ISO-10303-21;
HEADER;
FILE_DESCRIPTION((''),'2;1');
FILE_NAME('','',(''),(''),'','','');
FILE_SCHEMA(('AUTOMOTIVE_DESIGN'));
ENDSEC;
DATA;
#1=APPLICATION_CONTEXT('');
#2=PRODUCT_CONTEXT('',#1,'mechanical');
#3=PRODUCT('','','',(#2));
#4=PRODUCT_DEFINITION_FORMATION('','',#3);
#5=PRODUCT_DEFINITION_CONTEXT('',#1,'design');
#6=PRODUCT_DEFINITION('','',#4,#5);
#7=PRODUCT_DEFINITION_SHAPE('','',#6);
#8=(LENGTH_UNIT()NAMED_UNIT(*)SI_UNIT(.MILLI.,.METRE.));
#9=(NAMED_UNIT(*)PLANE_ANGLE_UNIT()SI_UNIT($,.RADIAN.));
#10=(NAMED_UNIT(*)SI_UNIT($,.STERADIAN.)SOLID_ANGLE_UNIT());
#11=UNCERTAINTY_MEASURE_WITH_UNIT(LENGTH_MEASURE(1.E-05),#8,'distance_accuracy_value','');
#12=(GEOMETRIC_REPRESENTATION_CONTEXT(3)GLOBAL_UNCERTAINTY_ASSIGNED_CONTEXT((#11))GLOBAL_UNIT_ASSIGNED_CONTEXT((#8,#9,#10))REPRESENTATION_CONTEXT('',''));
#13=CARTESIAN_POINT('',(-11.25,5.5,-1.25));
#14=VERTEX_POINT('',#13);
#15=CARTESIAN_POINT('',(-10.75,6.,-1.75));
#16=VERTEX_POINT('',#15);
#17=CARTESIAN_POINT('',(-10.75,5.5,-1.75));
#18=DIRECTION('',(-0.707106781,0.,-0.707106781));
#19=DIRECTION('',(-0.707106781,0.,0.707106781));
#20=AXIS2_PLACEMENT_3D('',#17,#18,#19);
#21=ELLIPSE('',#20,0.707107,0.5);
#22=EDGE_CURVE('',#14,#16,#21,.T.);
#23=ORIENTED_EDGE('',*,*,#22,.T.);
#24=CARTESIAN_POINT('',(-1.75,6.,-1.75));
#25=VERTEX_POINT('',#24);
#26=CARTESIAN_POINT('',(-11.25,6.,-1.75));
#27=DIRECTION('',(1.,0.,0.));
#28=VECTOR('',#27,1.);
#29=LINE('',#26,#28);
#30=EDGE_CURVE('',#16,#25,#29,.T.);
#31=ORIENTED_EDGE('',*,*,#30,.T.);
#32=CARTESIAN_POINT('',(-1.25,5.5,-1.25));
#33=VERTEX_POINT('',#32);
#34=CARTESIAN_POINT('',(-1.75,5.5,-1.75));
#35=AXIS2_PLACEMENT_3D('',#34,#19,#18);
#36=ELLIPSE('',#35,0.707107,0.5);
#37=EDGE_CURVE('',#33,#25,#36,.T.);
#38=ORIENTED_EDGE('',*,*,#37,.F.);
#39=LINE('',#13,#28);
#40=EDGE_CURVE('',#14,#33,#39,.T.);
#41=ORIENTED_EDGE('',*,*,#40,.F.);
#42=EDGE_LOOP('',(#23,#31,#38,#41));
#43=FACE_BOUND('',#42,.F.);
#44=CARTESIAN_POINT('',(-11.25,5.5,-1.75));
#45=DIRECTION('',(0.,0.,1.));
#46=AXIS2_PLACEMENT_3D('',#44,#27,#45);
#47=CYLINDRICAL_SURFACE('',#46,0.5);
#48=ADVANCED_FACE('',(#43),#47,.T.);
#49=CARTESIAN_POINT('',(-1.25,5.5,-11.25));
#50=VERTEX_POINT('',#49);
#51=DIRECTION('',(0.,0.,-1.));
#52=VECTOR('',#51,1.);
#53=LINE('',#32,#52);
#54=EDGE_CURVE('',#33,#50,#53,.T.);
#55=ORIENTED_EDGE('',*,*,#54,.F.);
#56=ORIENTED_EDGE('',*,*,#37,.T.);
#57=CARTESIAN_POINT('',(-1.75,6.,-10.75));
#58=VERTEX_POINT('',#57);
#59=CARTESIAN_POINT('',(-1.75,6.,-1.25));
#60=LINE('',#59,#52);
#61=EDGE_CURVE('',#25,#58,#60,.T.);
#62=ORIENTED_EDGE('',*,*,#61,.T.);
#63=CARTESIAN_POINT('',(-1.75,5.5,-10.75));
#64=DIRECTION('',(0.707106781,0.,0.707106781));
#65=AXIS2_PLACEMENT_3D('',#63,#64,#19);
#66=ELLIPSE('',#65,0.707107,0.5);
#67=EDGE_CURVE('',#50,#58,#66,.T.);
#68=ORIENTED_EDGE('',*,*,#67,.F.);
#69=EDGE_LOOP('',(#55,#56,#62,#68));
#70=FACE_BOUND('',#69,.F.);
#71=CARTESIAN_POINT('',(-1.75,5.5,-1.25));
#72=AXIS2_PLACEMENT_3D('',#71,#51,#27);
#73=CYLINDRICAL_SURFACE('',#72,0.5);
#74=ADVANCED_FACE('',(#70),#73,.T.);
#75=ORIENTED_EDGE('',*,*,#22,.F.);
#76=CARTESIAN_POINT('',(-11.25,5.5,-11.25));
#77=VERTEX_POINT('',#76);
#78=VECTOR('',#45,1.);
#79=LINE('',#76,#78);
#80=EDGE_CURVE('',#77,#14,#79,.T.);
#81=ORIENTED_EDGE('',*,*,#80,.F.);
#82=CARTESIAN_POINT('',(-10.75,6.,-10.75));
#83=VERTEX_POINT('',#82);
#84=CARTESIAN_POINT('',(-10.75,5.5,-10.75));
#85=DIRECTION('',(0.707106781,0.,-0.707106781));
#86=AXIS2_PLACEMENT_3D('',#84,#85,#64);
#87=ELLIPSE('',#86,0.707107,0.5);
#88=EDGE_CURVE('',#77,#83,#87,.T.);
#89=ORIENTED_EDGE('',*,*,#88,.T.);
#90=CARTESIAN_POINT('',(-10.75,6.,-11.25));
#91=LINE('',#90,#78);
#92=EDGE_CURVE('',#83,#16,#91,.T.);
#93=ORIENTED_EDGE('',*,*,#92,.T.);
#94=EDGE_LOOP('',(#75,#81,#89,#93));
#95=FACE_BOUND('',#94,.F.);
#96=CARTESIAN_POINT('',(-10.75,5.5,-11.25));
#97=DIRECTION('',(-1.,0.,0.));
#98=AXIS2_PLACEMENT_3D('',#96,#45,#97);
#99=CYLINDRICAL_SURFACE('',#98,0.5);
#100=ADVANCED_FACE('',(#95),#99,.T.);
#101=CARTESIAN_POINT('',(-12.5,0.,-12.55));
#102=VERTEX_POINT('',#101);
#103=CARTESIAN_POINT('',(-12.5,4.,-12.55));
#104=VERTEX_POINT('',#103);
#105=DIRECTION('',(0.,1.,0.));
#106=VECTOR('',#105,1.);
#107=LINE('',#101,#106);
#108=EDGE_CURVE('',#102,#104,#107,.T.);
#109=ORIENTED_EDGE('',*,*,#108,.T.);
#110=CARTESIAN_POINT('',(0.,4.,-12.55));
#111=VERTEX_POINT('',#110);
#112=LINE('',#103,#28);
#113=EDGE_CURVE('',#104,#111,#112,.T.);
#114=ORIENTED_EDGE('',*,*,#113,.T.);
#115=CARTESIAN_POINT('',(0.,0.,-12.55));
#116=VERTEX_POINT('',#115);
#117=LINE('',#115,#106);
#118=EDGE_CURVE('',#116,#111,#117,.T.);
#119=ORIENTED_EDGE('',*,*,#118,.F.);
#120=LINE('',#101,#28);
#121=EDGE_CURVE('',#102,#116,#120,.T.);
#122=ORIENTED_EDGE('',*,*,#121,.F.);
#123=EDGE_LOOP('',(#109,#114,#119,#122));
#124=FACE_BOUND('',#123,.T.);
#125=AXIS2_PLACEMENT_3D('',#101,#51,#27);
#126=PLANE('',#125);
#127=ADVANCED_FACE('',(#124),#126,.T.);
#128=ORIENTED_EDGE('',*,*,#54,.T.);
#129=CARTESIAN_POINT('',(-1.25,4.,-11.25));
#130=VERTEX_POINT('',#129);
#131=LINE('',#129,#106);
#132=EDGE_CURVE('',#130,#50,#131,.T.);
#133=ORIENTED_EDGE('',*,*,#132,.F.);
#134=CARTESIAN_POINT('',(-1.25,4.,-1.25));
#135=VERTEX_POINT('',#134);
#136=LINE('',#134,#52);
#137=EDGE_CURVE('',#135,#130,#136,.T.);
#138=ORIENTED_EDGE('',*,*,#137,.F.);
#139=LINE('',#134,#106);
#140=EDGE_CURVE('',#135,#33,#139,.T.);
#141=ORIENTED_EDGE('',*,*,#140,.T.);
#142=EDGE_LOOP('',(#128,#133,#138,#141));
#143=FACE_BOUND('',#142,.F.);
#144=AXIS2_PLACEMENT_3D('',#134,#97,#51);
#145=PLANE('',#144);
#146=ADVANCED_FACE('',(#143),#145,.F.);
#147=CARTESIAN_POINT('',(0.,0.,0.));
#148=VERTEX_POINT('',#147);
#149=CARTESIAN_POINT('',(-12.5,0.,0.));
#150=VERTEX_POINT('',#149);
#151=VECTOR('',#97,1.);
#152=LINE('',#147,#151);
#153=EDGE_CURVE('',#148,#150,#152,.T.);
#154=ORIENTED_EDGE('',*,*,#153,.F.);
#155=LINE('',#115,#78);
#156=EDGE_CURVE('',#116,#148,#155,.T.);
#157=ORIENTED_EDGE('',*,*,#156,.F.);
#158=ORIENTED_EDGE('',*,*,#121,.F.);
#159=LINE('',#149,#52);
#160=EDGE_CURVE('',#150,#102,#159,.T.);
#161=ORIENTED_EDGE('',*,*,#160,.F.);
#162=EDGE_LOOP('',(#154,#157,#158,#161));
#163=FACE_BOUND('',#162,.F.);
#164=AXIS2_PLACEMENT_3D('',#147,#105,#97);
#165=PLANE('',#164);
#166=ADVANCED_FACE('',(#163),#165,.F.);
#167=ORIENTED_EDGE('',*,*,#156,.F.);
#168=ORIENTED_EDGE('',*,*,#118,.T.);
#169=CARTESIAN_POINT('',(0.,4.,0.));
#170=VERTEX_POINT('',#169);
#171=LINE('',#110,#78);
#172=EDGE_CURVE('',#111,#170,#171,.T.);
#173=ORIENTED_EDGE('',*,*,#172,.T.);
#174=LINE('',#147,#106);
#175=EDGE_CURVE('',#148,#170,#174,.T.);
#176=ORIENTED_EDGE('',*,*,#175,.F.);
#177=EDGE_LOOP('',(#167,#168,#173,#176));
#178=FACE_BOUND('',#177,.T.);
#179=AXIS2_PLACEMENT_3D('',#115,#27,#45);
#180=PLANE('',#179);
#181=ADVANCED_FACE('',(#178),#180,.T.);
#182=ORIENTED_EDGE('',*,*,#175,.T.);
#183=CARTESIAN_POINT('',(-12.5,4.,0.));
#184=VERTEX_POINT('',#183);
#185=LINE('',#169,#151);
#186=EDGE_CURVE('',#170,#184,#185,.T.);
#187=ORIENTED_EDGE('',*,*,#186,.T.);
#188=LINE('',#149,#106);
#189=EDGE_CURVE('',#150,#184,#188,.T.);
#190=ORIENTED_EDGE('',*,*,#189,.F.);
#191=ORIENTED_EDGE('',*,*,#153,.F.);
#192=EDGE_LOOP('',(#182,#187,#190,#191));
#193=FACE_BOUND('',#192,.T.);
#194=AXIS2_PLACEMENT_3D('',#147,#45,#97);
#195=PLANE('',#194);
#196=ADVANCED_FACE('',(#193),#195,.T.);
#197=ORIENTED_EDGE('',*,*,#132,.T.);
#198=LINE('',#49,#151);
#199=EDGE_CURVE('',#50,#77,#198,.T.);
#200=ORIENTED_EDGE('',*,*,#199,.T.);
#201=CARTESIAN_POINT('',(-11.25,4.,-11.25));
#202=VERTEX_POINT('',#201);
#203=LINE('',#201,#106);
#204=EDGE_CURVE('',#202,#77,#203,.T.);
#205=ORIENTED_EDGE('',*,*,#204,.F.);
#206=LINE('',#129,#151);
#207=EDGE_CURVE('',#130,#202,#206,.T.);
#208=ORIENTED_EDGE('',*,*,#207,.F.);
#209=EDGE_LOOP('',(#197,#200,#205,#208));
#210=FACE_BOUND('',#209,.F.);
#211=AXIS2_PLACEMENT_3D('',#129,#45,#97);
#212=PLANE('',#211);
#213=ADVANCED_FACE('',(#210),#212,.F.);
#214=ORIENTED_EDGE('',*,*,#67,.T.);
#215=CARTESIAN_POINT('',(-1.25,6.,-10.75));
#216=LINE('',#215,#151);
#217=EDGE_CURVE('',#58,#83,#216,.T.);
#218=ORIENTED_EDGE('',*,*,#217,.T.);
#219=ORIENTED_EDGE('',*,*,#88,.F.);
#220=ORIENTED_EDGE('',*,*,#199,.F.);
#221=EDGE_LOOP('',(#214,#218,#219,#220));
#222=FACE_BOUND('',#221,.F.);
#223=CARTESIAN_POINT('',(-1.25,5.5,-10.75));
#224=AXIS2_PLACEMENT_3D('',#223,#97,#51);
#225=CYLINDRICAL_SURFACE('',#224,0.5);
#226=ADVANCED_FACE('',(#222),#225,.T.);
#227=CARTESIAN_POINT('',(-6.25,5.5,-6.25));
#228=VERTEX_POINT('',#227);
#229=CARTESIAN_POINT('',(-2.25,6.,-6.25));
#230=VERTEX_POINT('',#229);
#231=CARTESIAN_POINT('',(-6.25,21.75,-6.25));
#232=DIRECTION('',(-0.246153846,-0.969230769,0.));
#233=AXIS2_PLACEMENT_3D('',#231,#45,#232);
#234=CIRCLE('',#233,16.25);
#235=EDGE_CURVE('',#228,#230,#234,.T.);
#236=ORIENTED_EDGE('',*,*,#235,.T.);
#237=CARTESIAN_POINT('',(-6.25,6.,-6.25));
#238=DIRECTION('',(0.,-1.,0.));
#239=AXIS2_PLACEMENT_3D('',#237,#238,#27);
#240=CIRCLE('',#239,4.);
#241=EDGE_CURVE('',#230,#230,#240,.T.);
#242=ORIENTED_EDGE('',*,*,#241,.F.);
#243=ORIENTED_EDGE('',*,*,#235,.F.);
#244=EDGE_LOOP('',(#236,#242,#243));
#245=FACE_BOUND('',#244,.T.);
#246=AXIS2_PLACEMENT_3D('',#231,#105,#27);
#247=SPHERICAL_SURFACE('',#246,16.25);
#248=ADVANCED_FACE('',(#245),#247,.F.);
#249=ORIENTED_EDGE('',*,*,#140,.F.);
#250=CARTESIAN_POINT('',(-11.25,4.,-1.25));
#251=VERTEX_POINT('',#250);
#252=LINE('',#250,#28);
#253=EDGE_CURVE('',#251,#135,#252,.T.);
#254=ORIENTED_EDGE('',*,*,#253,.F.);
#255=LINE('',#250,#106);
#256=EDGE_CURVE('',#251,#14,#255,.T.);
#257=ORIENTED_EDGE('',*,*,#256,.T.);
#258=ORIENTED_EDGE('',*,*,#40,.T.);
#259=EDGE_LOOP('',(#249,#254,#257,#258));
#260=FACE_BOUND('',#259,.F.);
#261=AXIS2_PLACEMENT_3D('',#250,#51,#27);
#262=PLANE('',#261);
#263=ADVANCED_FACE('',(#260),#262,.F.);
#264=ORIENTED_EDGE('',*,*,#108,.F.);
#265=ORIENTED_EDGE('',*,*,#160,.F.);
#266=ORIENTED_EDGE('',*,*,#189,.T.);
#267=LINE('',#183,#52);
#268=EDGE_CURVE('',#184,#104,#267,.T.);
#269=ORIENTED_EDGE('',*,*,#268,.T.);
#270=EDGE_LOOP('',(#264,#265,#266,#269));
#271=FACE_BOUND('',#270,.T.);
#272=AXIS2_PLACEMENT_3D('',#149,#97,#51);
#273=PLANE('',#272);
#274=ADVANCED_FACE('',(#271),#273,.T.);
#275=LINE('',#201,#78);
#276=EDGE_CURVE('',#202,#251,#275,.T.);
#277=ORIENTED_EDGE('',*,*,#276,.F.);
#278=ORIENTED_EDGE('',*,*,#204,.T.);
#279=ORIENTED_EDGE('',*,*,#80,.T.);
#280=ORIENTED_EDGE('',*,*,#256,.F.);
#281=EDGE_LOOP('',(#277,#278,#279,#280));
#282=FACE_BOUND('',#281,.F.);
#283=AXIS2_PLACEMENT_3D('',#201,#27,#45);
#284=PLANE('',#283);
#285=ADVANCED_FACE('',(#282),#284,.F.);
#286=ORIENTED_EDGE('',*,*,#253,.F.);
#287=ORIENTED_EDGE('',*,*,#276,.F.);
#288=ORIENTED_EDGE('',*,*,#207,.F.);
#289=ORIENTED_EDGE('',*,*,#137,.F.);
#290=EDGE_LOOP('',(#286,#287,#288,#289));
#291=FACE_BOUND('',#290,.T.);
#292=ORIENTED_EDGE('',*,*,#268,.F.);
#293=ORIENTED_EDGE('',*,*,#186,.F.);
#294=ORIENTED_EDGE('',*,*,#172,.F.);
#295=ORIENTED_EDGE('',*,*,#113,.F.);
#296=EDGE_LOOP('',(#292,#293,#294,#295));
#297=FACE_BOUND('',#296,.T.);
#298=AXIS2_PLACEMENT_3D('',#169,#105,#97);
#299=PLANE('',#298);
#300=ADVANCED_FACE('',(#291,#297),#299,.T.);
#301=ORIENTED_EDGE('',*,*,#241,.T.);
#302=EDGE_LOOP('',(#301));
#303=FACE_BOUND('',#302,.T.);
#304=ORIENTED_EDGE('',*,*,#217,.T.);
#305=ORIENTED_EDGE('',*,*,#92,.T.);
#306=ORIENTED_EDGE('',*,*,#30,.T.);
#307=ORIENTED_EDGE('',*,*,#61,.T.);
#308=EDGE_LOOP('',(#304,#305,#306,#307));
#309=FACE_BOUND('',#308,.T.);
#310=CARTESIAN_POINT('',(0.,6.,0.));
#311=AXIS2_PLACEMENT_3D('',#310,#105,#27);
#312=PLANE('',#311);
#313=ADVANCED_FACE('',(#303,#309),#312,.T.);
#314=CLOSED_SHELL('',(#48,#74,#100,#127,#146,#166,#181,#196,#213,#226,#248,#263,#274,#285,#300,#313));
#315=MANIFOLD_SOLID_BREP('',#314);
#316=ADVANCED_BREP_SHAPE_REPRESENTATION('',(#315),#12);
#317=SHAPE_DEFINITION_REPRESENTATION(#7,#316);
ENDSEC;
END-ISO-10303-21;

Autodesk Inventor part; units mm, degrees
ref_plane "YZ Plane" through (0, 0, 0) normal (1, 0, 0) x (0, 1, 0)
ref_plane "XZ Plane" through (0, 0, 0) normal (0, 1, 0) x (-1, 0, 0)
ref_plane "XY Plane" through (0, 0, 0) normal (0, 0, 1) x (1, 0, 0)
sketch "Sketch1" plane through (0, 0, 0) normal (0, 1, 0) x (-1, 0, 0)
  line L0 (0, 0) -> (12.5, 0)
  line L1 (12.5, 0) -> (12.5, -12.55)
  line L2 (12.5, -12.55) -> (0, -12.55)
  line L3 (0, -12.55) -> (0, 0)
  dimension "d0" = 12.5
  dimension "d1" = 12.55
extrude "Extrusion1" add sketch "Sketch1" along normal blind 4
sketch "Sketch2" plane through (0, 4, 0) normal (0, 1, 0) x (1, 0, 0)
  line L0 (-11.25, 1.25) -> (-1.25, 1.25)
  line L1 (-1.25, 1.25) -> (-1.25, 11.25)
  line L2 (-1.25, 11.25) -> (-11.25, 11.25)
  line L3 (-11.25, 11.25) -> (-11.25, 1.25)
  line L4 (-12.5, 0) -> (0, 0) projected
  line L5 (-12.5, 12.55) -> (-12.5, 0) projected
  dimension "d4" = 10
  dimension "d5" = 10
  dimension "d6" = 1.25
  dimension "d7" = 1.25
extrude "Extrusion2" add sketch "Sketch2" along normal blind 2
ref_plane "Work Plane1" through (-11.25, 4, -6.25) normal (0, 0, 1) x (1, 0, 0)
sketch "Sketch3" plane through (-11.25, 4, -6.25) normal (0, 0, 1) x (1, 0, 0)
  line L0 (10, 0) -> (0, 0) projected
  line L1 (10, 0) -> (10, 2) projected
  line L2 (0, 2) -> (10, 2) projected
  line L3 (0, 0) -> (0, 2) projected
  line L4 (5, 2) -> (5, 1.5)
  line L5 (5, 2) -> (9, 2)
  line L6 (5, 2) -> (1, 2)
  arc A0 (1, 2) -> (9, 2) centre (5, 17.75) ccw
  point P0 (11.25, -4)
  dimension "d10" = 0.5
  dimension "d11" = 4
  dimension "d12" = 4
revolve "Revolution1" cut sketch "Sketch3" angle 360 about axis through (-6.25, 6, -6.25) along (0, -1, 0) picked at (7.2273, 1.9076) contours A0 L4 L2
fillet "Fillet1" radius 0.5 4 edges at (-11.25, 6, -6.25) (-6.25, 6, -11.25) (-1.25, 6, -6.25) (-6.25, 6, -1.25)
properties part number "Top Button" material "PC/ABS Plastic"
